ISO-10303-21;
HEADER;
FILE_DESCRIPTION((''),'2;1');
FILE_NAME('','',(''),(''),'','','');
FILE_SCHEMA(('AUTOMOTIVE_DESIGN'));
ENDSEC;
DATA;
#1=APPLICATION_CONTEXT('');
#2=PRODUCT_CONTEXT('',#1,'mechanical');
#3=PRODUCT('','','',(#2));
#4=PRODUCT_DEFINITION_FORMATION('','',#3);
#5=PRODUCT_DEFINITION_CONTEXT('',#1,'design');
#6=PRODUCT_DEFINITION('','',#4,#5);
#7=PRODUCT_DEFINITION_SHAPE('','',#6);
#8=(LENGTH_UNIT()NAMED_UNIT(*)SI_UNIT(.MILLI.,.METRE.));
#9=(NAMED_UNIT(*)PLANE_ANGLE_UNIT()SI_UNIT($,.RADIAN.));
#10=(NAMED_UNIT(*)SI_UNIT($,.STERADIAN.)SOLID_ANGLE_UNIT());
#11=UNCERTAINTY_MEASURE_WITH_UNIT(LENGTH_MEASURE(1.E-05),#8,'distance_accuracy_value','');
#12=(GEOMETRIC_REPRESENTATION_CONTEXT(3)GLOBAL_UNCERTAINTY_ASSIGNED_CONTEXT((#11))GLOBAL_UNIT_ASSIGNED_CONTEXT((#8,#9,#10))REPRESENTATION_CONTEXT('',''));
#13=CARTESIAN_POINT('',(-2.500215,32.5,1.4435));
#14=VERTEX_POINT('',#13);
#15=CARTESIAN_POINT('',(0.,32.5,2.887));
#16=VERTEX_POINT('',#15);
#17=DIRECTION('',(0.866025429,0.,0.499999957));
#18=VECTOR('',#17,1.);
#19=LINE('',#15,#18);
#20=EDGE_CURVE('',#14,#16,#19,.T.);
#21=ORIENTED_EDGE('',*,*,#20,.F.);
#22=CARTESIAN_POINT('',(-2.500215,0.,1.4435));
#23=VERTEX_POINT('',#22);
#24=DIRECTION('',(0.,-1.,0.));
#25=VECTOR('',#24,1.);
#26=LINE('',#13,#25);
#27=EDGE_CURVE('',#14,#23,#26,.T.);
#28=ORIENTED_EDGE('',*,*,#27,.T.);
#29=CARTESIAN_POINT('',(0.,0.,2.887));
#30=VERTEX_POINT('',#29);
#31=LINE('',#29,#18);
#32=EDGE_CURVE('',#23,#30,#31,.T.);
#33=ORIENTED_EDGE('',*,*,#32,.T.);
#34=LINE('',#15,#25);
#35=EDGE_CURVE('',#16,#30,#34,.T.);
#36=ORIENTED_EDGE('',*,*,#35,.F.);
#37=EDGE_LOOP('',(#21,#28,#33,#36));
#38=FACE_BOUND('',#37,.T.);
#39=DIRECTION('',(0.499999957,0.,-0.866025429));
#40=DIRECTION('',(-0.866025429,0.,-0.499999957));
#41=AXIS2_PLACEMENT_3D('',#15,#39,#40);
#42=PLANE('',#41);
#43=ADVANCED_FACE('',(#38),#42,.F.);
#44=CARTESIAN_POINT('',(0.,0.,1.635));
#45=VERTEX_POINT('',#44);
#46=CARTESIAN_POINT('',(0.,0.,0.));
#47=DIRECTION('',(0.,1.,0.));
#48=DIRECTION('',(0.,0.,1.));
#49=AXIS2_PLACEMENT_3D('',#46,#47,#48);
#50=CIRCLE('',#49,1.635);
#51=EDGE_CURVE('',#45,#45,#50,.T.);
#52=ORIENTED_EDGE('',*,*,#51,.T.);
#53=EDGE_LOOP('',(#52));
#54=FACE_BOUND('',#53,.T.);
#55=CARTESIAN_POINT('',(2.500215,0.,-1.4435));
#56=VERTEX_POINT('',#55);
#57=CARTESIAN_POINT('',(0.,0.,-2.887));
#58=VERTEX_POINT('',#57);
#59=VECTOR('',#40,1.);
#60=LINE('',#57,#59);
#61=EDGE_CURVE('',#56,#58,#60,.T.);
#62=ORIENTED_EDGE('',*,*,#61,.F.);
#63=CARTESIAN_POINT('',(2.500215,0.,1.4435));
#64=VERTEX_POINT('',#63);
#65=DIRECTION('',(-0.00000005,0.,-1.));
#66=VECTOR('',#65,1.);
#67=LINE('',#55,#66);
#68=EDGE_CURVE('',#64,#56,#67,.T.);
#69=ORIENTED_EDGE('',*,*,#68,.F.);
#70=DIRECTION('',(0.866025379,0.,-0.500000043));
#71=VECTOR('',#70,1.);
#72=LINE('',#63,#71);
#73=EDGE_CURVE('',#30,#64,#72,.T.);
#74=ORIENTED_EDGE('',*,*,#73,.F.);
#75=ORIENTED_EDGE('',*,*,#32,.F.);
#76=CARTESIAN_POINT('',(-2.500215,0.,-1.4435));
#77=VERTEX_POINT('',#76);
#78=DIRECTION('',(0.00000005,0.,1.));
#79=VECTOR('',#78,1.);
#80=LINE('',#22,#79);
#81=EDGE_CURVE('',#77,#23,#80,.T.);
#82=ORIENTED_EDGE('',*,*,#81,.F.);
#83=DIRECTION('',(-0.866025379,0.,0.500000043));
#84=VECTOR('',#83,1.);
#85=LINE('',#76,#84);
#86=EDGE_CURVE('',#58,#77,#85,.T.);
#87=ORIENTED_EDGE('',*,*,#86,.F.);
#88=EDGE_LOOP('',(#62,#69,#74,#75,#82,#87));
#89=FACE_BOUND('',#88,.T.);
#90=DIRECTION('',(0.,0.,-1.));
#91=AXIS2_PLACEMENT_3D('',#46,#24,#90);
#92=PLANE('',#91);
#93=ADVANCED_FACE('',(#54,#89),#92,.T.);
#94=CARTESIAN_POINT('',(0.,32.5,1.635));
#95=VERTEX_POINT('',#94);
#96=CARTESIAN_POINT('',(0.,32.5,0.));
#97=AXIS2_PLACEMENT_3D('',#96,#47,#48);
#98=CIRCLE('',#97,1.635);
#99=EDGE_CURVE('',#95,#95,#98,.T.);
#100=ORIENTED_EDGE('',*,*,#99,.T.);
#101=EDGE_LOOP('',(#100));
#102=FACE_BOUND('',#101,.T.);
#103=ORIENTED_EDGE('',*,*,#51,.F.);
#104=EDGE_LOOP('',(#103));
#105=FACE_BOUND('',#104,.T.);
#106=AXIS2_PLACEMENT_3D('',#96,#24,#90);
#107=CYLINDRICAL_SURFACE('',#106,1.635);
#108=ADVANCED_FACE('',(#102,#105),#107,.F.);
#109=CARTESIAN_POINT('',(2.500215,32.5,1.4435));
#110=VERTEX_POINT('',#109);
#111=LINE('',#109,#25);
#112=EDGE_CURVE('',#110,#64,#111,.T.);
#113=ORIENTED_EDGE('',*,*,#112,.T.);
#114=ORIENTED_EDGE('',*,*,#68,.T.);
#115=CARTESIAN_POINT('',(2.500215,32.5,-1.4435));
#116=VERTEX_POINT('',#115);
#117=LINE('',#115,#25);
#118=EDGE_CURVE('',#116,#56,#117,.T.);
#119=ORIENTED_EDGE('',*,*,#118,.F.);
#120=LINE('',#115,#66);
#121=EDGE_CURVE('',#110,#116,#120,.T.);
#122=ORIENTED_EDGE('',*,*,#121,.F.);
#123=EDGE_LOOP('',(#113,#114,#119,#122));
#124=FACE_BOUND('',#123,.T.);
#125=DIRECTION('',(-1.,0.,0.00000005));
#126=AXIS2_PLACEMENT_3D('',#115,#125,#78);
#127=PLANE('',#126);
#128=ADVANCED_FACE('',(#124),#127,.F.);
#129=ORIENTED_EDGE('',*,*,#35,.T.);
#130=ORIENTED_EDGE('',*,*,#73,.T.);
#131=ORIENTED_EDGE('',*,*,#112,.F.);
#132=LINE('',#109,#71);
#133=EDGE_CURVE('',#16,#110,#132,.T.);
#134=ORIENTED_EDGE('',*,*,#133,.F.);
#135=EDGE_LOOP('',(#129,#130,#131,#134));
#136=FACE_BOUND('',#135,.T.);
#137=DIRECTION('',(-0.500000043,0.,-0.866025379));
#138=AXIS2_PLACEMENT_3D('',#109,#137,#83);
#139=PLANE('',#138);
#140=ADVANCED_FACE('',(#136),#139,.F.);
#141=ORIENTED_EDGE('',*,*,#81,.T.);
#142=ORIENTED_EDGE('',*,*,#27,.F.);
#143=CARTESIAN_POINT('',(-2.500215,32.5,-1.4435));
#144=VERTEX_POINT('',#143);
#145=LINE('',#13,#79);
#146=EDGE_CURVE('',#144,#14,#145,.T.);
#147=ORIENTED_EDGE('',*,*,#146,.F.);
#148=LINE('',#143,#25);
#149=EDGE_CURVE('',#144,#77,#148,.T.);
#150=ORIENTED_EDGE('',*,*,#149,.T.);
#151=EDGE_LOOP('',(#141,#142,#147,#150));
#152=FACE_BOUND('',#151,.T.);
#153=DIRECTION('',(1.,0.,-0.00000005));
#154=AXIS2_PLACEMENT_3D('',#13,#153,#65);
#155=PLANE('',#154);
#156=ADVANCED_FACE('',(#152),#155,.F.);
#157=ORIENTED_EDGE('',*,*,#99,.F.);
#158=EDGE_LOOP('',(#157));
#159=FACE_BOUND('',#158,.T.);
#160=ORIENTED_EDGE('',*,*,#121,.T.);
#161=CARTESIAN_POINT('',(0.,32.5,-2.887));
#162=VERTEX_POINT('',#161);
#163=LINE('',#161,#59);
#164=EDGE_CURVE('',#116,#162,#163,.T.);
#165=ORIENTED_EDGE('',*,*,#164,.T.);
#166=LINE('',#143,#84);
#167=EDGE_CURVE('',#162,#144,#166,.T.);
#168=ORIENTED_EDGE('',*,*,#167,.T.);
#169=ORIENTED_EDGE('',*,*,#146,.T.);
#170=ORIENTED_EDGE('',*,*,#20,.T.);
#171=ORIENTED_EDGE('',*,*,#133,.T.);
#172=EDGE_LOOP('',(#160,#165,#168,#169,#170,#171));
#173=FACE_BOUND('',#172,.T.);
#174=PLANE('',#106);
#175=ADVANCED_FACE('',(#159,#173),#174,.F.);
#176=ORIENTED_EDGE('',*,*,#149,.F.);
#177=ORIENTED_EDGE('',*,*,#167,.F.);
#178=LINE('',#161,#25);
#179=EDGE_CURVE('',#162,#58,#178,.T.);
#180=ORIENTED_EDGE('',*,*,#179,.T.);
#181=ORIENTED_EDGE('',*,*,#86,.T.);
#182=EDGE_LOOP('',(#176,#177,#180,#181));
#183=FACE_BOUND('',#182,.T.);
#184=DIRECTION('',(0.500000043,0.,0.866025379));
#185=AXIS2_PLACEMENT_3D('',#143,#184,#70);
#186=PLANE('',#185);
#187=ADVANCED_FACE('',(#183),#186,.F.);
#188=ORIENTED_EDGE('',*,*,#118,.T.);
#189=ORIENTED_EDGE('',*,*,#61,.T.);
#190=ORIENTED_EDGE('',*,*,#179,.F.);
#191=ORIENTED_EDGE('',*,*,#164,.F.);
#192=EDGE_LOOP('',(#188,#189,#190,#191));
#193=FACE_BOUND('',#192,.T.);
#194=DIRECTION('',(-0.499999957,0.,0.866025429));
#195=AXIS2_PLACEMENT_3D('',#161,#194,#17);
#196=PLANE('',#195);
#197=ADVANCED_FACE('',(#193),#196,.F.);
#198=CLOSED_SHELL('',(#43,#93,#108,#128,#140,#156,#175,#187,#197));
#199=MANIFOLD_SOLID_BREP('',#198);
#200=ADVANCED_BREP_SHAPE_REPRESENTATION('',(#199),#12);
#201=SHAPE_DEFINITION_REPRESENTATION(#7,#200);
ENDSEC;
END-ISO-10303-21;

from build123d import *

# Parameters (mm, degrees)
SKETCH1_R           = 1.635
BOSS_EXTRUDE1_DEPTH = 32.5


with BuildPart() as part:
    # Sketch1 → Boss-Extrude1 (new body)
    with BuildSketch(Plane(origin=(0, 0, 0), x_dir=(1, 0, 0), z_dir=(0, 1, 0))):
        Polygon((2.500215268, 1.443500126), (2.500215413, -1.443499874), (1.45e-07, -2.887), (-2.500215268, -1.443500126), (-2.500215413, 1.443499874), (-1.45e-07, 2.887), align=None)
        with Locations(Location((0, 0, 0), (0, 0, 270))):
            Circle(SKETCH1_R, mode=Mode.SUBTRACT)
    extrude(amount=BOSS_EXTRUDE1_DEPTH)


solid = part.part
